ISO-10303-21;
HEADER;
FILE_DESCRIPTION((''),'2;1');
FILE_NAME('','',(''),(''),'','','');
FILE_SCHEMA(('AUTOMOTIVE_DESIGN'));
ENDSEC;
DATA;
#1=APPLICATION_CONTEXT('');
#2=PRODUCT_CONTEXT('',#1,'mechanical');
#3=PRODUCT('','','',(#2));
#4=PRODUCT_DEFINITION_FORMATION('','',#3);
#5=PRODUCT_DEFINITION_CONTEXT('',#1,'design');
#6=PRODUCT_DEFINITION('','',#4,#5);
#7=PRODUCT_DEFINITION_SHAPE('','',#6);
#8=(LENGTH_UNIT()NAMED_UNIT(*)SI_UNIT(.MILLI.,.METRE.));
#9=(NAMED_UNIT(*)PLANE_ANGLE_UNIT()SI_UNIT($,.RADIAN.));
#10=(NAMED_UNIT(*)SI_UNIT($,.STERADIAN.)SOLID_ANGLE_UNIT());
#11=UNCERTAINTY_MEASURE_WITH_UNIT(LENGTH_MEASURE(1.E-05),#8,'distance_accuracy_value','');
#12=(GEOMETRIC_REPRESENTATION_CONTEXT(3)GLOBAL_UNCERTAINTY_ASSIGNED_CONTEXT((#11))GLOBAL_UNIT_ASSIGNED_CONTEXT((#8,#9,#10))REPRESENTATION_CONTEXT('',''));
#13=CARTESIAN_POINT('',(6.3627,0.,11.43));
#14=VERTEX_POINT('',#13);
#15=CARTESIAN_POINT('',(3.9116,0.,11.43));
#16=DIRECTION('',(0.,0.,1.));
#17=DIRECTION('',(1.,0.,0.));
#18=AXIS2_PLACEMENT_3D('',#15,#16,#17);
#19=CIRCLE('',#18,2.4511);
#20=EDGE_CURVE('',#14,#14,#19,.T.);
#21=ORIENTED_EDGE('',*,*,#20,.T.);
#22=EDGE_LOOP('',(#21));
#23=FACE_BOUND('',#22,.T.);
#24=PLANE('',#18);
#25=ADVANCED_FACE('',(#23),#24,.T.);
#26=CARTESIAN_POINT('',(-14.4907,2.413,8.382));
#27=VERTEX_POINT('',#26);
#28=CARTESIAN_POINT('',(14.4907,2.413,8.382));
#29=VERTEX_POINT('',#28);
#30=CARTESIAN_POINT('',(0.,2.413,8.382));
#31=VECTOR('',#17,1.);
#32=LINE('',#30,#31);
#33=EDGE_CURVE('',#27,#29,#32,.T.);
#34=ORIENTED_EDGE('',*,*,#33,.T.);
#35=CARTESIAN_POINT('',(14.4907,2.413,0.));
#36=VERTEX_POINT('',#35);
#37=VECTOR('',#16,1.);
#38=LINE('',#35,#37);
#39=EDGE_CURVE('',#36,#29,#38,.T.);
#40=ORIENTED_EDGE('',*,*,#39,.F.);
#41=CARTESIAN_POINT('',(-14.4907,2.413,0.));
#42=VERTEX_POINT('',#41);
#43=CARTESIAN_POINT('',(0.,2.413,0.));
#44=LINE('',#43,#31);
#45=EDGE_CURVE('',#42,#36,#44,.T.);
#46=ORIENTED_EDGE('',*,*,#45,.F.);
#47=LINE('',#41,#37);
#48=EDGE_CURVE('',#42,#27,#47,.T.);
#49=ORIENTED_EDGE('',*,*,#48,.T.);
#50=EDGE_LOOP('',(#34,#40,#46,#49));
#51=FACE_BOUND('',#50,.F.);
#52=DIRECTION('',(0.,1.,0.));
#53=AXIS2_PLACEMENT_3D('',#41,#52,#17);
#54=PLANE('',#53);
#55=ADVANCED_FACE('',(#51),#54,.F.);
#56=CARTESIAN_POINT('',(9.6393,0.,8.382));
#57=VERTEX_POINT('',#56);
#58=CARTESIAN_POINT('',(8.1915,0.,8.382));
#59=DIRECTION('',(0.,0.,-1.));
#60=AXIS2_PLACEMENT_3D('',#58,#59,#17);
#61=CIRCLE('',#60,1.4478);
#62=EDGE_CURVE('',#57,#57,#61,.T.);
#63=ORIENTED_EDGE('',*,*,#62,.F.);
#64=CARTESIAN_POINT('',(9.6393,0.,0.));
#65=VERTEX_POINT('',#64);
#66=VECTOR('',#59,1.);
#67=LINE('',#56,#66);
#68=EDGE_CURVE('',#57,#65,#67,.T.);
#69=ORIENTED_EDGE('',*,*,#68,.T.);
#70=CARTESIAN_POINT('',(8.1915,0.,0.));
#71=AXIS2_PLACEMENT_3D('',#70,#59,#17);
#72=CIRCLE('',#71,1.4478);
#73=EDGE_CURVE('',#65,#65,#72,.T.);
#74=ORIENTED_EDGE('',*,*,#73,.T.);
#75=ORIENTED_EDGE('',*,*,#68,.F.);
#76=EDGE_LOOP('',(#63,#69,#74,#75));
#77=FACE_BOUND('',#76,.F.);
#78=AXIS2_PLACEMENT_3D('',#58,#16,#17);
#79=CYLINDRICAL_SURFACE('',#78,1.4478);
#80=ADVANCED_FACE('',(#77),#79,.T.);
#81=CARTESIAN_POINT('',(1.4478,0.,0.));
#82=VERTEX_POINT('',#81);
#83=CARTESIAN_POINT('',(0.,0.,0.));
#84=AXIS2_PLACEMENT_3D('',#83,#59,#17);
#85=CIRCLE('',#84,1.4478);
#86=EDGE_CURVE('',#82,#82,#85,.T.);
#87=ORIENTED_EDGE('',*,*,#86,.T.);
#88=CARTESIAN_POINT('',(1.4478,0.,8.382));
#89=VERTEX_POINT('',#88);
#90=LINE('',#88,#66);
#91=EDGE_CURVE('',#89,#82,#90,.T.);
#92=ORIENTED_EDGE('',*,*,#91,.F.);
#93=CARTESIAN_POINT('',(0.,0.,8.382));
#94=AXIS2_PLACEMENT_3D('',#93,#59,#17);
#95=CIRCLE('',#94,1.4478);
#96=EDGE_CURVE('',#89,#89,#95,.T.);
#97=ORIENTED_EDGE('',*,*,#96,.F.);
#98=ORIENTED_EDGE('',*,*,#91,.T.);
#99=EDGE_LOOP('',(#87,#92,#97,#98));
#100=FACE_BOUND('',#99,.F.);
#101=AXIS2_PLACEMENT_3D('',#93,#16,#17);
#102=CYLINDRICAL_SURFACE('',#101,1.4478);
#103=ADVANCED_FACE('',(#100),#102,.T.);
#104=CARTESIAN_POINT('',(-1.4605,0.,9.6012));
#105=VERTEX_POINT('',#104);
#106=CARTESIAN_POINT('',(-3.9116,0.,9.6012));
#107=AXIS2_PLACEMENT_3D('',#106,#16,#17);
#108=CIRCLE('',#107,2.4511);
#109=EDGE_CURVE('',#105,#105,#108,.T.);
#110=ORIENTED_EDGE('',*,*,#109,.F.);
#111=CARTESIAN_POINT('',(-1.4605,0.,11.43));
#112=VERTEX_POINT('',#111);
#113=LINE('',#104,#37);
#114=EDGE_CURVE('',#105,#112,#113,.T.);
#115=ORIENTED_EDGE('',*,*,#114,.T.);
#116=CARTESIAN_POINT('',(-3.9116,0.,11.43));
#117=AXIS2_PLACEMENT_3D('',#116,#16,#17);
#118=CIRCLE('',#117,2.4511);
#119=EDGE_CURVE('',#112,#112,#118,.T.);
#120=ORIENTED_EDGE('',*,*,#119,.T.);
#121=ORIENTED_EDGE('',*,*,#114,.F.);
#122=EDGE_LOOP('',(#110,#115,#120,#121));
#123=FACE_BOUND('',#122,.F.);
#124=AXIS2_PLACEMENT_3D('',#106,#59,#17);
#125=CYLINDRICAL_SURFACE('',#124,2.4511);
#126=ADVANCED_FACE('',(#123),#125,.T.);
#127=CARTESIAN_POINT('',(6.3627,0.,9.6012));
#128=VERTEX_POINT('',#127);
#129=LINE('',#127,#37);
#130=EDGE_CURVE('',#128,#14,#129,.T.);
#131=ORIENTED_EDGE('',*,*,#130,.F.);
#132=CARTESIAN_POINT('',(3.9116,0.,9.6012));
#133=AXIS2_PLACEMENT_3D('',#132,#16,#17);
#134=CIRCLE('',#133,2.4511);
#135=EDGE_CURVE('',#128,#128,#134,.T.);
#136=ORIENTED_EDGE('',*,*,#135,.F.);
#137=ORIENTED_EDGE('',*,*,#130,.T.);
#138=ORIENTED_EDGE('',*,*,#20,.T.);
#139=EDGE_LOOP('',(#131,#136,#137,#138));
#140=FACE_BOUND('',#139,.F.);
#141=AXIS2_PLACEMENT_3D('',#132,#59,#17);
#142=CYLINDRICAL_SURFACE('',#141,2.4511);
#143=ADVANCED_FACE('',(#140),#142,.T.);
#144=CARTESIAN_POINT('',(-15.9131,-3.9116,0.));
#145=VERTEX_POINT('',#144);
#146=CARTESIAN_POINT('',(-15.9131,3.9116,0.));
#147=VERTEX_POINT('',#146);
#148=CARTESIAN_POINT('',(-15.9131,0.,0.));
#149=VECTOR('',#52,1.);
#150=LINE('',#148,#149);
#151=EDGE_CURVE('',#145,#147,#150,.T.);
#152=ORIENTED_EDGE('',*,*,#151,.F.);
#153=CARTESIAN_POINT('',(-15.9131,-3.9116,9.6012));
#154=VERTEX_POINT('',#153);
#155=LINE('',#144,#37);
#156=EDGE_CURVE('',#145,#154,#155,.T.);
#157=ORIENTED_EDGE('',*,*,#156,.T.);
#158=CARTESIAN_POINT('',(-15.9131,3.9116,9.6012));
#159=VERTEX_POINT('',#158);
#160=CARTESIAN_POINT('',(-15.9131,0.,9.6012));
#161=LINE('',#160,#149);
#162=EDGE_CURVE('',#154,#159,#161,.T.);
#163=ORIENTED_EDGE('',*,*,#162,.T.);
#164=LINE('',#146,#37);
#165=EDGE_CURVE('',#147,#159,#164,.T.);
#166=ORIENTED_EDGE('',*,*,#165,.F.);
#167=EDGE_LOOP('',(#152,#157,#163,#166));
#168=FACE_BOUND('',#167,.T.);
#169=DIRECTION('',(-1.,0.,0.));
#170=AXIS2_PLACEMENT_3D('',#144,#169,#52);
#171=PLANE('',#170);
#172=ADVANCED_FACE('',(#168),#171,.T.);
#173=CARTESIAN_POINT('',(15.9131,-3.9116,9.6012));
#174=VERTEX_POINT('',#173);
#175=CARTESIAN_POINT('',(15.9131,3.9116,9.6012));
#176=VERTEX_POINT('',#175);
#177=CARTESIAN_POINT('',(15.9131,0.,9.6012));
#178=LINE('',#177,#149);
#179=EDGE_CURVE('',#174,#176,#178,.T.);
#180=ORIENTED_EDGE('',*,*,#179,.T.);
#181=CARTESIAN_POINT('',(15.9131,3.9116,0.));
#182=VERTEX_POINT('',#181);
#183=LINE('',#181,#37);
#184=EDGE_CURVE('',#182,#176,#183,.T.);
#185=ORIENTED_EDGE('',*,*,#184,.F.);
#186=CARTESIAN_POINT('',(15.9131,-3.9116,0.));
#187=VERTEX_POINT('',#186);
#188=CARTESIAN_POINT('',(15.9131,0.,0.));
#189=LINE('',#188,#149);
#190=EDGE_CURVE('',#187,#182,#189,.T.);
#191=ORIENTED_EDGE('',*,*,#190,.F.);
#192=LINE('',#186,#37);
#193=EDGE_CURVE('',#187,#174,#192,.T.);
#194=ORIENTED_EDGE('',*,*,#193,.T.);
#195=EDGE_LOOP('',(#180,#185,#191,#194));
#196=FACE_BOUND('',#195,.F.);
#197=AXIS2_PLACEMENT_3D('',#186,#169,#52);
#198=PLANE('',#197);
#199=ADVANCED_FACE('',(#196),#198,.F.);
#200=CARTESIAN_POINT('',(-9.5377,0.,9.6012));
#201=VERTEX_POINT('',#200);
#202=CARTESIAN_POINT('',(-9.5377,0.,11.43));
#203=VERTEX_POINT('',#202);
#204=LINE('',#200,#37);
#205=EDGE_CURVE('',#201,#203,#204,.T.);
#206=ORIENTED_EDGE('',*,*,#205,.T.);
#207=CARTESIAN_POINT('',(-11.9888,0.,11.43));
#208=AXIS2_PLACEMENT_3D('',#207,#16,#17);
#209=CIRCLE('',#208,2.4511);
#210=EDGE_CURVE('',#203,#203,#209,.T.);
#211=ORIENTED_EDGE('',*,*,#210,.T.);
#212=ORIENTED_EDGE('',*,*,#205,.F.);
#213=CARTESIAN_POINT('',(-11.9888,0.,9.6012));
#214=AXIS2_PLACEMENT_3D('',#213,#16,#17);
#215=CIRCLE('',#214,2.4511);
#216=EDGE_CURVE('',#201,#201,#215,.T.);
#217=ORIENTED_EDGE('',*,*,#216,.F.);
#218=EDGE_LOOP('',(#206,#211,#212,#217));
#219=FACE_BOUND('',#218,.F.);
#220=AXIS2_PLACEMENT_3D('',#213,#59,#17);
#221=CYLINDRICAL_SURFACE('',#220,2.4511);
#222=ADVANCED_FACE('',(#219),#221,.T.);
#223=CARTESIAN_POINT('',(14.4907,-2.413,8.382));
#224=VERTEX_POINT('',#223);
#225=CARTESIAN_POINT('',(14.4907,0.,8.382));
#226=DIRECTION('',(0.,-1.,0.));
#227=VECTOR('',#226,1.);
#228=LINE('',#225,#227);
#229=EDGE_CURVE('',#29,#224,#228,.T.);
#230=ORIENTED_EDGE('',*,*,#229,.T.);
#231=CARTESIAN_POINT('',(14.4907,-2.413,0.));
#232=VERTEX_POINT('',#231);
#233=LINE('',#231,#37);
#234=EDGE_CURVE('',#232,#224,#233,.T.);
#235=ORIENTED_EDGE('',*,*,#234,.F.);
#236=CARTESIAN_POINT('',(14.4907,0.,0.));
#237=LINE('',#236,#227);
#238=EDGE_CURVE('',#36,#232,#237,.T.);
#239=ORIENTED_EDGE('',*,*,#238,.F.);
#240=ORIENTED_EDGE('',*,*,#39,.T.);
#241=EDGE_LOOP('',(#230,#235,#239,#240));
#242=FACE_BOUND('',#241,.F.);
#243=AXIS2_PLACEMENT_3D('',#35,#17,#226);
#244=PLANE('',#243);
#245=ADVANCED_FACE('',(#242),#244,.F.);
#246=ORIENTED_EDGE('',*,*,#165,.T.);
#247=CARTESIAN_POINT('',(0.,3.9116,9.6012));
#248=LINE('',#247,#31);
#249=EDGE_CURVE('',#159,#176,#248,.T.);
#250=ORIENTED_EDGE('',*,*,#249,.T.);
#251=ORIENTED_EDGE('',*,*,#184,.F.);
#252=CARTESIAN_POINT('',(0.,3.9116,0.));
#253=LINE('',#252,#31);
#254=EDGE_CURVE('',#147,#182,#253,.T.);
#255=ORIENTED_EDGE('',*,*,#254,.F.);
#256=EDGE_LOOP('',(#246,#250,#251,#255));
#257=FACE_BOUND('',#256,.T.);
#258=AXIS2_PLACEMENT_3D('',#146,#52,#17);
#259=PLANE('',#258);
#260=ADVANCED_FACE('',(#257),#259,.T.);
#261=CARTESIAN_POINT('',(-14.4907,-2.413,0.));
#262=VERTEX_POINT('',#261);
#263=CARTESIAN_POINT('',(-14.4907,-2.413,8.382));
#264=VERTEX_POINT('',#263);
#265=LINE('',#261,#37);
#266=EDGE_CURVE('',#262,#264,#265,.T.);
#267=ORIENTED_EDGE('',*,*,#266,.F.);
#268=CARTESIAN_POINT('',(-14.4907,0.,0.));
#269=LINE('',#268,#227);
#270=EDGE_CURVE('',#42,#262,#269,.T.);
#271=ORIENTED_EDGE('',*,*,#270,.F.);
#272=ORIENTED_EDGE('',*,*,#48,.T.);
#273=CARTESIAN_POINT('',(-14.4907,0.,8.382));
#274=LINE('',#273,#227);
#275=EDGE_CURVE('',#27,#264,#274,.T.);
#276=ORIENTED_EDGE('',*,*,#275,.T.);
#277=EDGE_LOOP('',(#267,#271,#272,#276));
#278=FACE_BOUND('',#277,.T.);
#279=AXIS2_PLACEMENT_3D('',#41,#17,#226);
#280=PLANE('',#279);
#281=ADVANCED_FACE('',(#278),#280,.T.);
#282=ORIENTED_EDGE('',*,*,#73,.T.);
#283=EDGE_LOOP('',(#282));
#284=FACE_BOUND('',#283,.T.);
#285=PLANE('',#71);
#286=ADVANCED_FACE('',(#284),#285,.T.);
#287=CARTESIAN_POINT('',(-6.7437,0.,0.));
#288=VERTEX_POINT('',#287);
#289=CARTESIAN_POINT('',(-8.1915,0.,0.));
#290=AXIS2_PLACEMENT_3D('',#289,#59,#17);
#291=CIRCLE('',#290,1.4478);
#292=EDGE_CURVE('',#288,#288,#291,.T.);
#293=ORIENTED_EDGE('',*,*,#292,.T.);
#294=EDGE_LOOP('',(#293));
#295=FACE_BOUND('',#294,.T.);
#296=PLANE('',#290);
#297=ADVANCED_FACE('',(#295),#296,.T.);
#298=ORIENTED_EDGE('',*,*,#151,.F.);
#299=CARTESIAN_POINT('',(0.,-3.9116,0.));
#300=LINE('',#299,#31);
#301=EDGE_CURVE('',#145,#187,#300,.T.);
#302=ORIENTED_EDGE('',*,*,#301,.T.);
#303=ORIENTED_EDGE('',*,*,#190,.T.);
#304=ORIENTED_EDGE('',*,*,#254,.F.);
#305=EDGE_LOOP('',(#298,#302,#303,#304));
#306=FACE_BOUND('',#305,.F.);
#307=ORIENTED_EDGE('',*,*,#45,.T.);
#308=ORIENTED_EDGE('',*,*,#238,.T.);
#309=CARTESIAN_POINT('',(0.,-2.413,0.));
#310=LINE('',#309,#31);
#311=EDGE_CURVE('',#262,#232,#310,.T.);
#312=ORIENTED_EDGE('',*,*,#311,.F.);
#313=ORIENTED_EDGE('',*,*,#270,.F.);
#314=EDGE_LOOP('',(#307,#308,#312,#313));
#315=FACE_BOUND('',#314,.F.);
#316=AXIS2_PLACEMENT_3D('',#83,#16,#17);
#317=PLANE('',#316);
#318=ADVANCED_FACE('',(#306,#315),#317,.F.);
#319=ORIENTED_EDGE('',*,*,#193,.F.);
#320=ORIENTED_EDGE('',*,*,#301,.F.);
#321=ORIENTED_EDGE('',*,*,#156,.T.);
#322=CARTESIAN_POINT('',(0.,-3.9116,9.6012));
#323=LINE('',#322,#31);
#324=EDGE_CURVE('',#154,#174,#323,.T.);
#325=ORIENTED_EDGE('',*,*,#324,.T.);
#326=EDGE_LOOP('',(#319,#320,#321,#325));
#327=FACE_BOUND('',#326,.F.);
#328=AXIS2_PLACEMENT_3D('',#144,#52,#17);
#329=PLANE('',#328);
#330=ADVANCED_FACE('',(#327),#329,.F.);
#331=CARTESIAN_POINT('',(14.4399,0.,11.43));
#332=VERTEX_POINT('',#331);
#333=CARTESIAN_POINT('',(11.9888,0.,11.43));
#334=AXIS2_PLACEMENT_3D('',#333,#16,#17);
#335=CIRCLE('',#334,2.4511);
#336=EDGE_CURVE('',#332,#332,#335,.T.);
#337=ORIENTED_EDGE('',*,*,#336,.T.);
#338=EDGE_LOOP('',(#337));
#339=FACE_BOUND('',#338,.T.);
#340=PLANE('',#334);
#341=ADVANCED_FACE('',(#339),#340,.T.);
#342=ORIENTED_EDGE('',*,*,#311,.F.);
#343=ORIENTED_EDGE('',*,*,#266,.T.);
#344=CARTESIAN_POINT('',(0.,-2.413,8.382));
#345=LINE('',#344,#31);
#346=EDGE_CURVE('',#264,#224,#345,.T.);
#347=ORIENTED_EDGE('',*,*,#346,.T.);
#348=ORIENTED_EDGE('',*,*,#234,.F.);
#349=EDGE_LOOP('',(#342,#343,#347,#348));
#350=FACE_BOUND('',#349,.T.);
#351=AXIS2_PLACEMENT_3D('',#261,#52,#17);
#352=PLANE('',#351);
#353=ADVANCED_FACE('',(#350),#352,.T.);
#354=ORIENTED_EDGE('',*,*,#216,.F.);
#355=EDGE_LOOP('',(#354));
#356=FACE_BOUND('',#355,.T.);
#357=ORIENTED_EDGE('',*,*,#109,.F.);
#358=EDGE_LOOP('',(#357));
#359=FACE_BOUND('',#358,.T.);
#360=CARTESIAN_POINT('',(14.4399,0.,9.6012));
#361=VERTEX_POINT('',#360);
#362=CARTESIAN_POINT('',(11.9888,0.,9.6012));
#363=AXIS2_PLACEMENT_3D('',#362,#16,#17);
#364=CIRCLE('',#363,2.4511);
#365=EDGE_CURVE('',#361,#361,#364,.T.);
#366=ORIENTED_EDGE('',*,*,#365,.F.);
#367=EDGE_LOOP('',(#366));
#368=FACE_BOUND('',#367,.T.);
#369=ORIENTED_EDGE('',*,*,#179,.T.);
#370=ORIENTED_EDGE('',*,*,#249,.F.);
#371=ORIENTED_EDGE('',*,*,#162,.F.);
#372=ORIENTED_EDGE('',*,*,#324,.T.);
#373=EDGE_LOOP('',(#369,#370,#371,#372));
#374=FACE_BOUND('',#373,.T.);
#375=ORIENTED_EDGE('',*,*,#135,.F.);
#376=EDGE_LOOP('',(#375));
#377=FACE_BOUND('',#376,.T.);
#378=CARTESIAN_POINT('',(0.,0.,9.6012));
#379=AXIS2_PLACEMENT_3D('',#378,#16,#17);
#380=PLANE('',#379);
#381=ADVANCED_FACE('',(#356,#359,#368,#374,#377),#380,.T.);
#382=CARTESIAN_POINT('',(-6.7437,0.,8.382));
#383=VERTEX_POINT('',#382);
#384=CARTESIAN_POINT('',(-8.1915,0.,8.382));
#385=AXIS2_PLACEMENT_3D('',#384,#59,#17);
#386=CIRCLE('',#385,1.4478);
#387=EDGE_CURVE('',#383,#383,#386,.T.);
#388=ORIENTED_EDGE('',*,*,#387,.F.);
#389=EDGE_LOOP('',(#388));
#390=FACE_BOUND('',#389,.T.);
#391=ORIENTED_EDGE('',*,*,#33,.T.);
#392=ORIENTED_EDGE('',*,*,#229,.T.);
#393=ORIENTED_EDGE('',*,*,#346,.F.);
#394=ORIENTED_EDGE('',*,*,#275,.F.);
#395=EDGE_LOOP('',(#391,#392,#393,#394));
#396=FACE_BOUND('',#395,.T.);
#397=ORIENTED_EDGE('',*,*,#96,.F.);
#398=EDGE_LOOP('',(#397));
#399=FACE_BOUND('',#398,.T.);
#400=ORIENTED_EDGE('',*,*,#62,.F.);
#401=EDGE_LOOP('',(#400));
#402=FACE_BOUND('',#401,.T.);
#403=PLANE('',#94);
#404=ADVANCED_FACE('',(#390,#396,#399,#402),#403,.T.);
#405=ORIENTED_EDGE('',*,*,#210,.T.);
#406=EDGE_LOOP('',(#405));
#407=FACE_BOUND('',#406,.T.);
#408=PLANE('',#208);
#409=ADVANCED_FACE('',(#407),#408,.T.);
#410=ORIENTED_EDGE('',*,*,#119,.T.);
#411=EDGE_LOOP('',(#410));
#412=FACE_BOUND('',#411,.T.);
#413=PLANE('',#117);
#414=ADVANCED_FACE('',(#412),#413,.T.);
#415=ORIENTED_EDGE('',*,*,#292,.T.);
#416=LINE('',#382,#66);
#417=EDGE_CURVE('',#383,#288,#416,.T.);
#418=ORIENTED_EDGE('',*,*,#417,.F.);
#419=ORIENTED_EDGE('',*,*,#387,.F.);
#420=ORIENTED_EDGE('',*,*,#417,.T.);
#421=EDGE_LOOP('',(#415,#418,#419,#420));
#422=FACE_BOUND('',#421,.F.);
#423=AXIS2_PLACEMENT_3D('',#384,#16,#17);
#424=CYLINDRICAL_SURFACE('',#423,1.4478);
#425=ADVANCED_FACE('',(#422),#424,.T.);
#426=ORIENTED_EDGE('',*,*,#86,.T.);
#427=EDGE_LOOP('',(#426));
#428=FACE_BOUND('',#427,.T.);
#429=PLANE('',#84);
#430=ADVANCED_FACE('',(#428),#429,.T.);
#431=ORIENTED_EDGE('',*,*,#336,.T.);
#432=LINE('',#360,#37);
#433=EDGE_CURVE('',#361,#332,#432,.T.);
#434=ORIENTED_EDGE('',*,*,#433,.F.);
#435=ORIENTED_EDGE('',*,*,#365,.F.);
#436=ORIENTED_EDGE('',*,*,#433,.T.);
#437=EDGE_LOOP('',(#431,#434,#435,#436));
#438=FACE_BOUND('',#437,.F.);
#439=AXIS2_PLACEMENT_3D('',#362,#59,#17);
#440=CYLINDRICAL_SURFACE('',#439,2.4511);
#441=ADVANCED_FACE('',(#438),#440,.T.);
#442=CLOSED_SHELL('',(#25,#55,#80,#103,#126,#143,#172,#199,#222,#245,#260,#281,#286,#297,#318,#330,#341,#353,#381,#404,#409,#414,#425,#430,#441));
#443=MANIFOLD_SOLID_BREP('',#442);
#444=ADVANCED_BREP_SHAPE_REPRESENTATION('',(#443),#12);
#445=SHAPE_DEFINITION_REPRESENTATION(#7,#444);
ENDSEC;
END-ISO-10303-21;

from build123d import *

# Parameters (mm, degrees)
F0_W     = 31.8262
F0_H     = 7.8232
F1_DEPTH = 9.6012
F3_R     = 2.4511
F4_DEPTH = 1.8288
F5_W     = 28.9814
F5_H     = 4.826
F6_DEPTH = 8.382
F7_R     = 1.4478
F8_DEPTH = 8.382


with BuildPart() as f1:
    # F0 (on Top) → F1 (new body)
    with BuildSketch(Plane.XY):
        Rectangle(F0_W, F0_H)
    extrude(amount=F1_DEPTH)

    # F3 (on face) → F4 (join)
    with BuildSketch(Plane.XY.offset(9.6012)):
        with Locations((11.9888, 0)):
            Circle(F3_R)
        with Locations((3.9116, 0)):
            Circle(F3_R)
        with Locations((-3.9116, 0)):
            Circle(F3_R)
        with Locations((-11.9888, 0)):
            Circle(F3_R)
    extrude(amount=F4_DEPTH)

    # F5 (on face) → F6 (cut)
    with BuildSketch(Plane(origin=(0, 0, 0), x_dir=(1, 0, 0), z_dir=(0, 0, -1))):
        Rectangle(F5_W, F5_H)
    extrude(amount=-F6_DEPTH, mode=Mode.SUBTRACT)

    # F7 (on face) → F8 (join)
    with BuildSketch(Plane(origin=(0, 0, 8.382), x_dir=(1, 0, 0), z_dir=(0, 0, -1))):
        with Locations((-8.1915, 0)):
            Circle(F7_R)
        Circle(F7_R)
        with Locations((8.1915, 0)):
            Circle(F7_R)
    extrude(amount=F8_DEPTH)


solid = f1.part
